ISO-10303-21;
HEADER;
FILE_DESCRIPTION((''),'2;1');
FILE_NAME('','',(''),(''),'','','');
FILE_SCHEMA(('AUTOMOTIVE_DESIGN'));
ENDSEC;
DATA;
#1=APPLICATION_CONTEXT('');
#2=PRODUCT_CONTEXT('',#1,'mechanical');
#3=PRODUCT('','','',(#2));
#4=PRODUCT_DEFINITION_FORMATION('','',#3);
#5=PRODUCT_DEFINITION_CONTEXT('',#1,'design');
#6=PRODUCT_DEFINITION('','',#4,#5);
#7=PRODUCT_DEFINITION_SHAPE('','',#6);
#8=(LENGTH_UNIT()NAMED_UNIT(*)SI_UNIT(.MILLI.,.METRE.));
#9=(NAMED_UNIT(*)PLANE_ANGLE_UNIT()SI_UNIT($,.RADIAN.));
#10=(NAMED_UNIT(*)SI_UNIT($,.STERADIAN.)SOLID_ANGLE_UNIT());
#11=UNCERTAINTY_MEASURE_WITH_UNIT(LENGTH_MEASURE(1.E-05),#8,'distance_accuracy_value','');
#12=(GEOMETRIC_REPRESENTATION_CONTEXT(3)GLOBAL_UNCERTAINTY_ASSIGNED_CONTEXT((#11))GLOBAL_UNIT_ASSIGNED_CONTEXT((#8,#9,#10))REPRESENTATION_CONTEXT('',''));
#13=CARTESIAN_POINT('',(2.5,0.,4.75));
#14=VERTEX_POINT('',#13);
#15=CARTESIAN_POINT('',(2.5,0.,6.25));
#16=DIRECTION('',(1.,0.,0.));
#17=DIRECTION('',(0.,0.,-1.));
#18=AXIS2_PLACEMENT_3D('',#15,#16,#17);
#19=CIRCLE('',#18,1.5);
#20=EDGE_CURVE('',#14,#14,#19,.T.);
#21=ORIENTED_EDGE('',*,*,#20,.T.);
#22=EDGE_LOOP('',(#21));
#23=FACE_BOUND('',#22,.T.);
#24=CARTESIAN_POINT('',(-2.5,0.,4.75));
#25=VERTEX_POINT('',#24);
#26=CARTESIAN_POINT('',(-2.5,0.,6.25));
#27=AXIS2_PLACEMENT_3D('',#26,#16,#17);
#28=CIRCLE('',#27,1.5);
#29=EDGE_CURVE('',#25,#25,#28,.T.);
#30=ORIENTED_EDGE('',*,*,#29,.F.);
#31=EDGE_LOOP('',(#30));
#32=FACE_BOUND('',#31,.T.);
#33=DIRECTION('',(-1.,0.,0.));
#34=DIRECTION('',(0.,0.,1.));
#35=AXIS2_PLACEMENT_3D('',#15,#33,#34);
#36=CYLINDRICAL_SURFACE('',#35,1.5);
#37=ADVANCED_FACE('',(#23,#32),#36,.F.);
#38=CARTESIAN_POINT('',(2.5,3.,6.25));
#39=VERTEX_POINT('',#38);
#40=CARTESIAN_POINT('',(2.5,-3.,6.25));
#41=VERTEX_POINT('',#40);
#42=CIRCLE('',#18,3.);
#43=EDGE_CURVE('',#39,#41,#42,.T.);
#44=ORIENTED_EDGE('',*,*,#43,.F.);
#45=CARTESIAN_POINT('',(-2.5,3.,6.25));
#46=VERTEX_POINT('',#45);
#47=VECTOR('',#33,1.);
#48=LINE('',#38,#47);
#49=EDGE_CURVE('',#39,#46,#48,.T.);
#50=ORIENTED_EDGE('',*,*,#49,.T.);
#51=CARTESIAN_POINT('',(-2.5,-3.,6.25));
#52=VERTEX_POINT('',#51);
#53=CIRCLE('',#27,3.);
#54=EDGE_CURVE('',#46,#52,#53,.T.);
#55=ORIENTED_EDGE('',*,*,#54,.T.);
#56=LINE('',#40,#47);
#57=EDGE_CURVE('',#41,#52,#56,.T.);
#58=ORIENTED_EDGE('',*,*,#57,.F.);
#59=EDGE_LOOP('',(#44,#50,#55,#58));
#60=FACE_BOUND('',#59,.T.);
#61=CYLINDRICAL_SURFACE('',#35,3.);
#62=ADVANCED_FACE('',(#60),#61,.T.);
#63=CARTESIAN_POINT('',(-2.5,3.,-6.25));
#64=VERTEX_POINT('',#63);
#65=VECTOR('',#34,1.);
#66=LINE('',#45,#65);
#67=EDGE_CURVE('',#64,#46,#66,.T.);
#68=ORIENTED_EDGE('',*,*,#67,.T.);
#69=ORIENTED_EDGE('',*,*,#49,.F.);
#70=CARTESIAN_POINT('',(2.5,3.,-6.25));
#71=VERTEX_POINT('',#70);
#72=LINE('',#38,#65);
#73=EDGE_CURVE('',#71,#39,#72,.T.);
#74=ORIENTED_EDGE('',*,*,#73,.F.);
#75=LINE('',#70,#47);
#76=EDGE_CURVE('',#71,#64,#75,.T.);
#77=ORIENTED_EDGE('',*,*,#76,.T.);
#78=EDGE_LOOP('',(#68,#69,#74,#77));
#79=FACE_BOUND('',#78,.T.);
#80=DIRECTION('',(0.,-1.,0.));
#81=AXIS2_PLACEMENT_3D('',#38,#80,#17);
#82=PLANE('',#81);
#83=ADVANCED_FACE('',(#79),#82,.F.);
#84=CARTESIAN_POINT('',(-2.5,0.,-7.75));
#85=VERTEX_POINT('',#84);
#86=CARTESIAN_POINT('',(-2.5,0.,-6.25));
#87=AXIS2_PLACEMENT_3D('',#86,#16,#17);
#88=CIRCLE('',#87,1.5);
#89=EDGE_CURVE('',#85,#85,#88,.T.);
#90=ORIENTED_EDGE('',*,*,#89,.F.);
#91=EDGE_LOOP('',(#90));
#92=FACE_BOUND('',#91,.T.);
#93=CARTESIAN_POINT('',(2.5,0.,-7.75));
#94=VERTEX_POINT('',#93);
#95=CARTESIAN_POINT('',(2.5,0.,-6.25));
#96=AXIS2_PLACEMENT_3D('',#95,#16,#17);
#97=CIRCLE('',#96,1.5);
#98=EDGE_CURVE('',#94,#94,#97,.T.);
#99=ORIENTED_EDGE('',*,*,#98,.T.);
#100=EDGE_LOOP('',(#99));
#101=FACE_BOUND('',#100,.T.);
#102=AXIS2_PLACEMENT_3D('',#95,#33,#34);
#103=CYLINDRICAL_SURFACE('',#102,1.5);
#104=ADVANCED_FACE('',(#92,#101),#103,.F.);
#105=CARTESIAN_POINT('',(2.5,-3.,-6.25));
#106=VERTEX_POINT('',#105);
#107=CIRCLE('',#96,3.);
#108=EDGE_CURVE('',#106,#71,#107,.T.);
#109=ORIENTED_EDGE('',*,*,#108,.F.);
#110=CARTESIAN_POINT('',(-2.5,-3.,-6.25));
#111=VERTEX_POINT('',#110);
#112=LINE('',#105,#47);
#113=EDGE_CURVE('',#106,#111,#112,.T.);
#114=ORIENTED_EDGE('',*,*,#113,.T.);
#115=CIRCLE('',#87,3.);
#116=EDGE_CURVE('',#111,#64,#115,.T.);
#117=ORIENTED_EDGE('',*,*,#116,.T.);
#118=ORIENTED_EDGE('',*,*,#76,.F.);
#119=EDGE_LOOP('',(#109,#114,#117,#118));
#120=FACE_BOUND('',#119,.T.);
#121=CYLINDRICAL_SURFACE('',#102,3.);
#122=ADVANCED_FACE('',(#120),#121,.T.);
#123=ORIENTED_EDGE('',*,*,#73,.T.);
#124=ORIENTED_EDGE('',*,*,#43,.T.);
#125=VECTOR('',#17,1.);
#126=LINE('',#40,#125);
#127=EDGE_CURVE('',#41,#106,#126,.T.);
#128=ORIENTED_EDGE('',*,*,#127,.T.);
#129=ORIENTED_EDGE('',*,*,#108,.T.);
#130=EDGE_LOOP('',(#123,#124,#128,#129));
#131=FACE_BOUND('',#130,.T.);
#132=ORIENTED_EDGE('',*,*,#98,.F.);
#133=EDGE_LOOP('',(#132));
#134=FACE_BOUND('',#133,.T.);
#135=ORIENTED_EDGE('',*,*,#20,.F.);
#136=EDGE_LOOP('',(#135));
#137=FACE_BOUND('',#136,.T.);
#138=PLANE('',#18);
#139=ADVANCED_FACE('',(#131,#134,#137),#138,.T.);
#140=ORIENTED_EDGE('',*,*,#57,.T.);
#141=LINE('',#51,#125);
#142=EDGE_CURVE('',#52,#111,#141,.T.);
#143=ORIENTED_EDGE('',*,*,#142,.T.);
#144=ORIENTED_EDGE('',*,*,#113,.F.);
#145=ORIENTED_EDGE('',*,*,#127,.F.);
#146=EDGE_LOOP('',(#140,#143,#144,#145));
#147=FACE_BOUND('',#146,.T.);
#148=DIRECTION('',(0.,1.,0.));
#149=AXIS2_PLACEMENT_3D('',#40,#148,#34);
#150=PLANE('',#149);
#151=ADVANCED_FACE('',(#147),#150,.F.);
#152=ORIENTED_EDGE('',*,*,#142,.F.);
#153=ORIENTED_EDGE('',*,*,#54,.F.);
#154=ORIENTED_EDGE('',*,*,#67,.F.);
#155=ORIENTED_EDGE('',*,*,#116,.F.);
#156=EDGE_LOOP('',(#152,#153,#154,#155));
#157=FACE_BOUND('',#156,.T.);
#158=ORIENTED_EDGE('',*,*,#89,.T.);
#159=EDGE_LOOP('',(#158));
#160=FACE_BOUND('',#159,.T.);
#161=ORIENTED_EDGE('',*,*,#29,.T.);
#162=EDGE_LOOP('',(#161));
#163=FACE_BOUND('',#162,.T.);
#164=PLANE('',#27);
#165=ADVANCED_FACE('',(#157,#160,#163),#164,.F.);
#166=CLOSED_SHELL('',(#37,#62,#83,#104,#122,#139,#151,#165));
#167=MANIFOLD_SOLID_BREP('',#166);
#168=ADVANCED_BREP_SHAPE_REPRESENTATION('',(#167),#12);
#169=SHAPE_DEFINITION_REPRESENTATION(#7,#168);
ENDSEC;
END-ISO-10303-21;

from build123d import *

# Parameters (mm, degrees)
SKETCH_1_R      = 1.5
EXTRUDE_1_DEPTH = 2.5


with BuildPart() as part:
    # 草图1 → 凸台-拉伸1 (new body, symmetric)
    with BuildSketch(Plane(origin=(0, 0, 0), x_dir=(0, 0, -1), z_dir=(1, 0, 0))):
        with BuildLine():
            Line((-6.25, 3), (6.25, 3))
            ThreePointArc((6.25, 3), (9.25, 0), (6.25, -3))
            Line((6.25, -3), (-6.25, -3))
            ThreePointArc((-6.25, -3), (-9.25, 0), (-6.25, 3))
        make_face()
        with Locations((6.25, 0)):
            Circle(SKETCH_1_R, mode=Mode.SUBTRACT)
        with Locations((-6.25, 0)):
            Circle(SKETCH_1_R, mode=Mode.SUBTRACT)
    extrude(amount=EXTRUDE_1_DEPTH, both=True)


solid = part.part
